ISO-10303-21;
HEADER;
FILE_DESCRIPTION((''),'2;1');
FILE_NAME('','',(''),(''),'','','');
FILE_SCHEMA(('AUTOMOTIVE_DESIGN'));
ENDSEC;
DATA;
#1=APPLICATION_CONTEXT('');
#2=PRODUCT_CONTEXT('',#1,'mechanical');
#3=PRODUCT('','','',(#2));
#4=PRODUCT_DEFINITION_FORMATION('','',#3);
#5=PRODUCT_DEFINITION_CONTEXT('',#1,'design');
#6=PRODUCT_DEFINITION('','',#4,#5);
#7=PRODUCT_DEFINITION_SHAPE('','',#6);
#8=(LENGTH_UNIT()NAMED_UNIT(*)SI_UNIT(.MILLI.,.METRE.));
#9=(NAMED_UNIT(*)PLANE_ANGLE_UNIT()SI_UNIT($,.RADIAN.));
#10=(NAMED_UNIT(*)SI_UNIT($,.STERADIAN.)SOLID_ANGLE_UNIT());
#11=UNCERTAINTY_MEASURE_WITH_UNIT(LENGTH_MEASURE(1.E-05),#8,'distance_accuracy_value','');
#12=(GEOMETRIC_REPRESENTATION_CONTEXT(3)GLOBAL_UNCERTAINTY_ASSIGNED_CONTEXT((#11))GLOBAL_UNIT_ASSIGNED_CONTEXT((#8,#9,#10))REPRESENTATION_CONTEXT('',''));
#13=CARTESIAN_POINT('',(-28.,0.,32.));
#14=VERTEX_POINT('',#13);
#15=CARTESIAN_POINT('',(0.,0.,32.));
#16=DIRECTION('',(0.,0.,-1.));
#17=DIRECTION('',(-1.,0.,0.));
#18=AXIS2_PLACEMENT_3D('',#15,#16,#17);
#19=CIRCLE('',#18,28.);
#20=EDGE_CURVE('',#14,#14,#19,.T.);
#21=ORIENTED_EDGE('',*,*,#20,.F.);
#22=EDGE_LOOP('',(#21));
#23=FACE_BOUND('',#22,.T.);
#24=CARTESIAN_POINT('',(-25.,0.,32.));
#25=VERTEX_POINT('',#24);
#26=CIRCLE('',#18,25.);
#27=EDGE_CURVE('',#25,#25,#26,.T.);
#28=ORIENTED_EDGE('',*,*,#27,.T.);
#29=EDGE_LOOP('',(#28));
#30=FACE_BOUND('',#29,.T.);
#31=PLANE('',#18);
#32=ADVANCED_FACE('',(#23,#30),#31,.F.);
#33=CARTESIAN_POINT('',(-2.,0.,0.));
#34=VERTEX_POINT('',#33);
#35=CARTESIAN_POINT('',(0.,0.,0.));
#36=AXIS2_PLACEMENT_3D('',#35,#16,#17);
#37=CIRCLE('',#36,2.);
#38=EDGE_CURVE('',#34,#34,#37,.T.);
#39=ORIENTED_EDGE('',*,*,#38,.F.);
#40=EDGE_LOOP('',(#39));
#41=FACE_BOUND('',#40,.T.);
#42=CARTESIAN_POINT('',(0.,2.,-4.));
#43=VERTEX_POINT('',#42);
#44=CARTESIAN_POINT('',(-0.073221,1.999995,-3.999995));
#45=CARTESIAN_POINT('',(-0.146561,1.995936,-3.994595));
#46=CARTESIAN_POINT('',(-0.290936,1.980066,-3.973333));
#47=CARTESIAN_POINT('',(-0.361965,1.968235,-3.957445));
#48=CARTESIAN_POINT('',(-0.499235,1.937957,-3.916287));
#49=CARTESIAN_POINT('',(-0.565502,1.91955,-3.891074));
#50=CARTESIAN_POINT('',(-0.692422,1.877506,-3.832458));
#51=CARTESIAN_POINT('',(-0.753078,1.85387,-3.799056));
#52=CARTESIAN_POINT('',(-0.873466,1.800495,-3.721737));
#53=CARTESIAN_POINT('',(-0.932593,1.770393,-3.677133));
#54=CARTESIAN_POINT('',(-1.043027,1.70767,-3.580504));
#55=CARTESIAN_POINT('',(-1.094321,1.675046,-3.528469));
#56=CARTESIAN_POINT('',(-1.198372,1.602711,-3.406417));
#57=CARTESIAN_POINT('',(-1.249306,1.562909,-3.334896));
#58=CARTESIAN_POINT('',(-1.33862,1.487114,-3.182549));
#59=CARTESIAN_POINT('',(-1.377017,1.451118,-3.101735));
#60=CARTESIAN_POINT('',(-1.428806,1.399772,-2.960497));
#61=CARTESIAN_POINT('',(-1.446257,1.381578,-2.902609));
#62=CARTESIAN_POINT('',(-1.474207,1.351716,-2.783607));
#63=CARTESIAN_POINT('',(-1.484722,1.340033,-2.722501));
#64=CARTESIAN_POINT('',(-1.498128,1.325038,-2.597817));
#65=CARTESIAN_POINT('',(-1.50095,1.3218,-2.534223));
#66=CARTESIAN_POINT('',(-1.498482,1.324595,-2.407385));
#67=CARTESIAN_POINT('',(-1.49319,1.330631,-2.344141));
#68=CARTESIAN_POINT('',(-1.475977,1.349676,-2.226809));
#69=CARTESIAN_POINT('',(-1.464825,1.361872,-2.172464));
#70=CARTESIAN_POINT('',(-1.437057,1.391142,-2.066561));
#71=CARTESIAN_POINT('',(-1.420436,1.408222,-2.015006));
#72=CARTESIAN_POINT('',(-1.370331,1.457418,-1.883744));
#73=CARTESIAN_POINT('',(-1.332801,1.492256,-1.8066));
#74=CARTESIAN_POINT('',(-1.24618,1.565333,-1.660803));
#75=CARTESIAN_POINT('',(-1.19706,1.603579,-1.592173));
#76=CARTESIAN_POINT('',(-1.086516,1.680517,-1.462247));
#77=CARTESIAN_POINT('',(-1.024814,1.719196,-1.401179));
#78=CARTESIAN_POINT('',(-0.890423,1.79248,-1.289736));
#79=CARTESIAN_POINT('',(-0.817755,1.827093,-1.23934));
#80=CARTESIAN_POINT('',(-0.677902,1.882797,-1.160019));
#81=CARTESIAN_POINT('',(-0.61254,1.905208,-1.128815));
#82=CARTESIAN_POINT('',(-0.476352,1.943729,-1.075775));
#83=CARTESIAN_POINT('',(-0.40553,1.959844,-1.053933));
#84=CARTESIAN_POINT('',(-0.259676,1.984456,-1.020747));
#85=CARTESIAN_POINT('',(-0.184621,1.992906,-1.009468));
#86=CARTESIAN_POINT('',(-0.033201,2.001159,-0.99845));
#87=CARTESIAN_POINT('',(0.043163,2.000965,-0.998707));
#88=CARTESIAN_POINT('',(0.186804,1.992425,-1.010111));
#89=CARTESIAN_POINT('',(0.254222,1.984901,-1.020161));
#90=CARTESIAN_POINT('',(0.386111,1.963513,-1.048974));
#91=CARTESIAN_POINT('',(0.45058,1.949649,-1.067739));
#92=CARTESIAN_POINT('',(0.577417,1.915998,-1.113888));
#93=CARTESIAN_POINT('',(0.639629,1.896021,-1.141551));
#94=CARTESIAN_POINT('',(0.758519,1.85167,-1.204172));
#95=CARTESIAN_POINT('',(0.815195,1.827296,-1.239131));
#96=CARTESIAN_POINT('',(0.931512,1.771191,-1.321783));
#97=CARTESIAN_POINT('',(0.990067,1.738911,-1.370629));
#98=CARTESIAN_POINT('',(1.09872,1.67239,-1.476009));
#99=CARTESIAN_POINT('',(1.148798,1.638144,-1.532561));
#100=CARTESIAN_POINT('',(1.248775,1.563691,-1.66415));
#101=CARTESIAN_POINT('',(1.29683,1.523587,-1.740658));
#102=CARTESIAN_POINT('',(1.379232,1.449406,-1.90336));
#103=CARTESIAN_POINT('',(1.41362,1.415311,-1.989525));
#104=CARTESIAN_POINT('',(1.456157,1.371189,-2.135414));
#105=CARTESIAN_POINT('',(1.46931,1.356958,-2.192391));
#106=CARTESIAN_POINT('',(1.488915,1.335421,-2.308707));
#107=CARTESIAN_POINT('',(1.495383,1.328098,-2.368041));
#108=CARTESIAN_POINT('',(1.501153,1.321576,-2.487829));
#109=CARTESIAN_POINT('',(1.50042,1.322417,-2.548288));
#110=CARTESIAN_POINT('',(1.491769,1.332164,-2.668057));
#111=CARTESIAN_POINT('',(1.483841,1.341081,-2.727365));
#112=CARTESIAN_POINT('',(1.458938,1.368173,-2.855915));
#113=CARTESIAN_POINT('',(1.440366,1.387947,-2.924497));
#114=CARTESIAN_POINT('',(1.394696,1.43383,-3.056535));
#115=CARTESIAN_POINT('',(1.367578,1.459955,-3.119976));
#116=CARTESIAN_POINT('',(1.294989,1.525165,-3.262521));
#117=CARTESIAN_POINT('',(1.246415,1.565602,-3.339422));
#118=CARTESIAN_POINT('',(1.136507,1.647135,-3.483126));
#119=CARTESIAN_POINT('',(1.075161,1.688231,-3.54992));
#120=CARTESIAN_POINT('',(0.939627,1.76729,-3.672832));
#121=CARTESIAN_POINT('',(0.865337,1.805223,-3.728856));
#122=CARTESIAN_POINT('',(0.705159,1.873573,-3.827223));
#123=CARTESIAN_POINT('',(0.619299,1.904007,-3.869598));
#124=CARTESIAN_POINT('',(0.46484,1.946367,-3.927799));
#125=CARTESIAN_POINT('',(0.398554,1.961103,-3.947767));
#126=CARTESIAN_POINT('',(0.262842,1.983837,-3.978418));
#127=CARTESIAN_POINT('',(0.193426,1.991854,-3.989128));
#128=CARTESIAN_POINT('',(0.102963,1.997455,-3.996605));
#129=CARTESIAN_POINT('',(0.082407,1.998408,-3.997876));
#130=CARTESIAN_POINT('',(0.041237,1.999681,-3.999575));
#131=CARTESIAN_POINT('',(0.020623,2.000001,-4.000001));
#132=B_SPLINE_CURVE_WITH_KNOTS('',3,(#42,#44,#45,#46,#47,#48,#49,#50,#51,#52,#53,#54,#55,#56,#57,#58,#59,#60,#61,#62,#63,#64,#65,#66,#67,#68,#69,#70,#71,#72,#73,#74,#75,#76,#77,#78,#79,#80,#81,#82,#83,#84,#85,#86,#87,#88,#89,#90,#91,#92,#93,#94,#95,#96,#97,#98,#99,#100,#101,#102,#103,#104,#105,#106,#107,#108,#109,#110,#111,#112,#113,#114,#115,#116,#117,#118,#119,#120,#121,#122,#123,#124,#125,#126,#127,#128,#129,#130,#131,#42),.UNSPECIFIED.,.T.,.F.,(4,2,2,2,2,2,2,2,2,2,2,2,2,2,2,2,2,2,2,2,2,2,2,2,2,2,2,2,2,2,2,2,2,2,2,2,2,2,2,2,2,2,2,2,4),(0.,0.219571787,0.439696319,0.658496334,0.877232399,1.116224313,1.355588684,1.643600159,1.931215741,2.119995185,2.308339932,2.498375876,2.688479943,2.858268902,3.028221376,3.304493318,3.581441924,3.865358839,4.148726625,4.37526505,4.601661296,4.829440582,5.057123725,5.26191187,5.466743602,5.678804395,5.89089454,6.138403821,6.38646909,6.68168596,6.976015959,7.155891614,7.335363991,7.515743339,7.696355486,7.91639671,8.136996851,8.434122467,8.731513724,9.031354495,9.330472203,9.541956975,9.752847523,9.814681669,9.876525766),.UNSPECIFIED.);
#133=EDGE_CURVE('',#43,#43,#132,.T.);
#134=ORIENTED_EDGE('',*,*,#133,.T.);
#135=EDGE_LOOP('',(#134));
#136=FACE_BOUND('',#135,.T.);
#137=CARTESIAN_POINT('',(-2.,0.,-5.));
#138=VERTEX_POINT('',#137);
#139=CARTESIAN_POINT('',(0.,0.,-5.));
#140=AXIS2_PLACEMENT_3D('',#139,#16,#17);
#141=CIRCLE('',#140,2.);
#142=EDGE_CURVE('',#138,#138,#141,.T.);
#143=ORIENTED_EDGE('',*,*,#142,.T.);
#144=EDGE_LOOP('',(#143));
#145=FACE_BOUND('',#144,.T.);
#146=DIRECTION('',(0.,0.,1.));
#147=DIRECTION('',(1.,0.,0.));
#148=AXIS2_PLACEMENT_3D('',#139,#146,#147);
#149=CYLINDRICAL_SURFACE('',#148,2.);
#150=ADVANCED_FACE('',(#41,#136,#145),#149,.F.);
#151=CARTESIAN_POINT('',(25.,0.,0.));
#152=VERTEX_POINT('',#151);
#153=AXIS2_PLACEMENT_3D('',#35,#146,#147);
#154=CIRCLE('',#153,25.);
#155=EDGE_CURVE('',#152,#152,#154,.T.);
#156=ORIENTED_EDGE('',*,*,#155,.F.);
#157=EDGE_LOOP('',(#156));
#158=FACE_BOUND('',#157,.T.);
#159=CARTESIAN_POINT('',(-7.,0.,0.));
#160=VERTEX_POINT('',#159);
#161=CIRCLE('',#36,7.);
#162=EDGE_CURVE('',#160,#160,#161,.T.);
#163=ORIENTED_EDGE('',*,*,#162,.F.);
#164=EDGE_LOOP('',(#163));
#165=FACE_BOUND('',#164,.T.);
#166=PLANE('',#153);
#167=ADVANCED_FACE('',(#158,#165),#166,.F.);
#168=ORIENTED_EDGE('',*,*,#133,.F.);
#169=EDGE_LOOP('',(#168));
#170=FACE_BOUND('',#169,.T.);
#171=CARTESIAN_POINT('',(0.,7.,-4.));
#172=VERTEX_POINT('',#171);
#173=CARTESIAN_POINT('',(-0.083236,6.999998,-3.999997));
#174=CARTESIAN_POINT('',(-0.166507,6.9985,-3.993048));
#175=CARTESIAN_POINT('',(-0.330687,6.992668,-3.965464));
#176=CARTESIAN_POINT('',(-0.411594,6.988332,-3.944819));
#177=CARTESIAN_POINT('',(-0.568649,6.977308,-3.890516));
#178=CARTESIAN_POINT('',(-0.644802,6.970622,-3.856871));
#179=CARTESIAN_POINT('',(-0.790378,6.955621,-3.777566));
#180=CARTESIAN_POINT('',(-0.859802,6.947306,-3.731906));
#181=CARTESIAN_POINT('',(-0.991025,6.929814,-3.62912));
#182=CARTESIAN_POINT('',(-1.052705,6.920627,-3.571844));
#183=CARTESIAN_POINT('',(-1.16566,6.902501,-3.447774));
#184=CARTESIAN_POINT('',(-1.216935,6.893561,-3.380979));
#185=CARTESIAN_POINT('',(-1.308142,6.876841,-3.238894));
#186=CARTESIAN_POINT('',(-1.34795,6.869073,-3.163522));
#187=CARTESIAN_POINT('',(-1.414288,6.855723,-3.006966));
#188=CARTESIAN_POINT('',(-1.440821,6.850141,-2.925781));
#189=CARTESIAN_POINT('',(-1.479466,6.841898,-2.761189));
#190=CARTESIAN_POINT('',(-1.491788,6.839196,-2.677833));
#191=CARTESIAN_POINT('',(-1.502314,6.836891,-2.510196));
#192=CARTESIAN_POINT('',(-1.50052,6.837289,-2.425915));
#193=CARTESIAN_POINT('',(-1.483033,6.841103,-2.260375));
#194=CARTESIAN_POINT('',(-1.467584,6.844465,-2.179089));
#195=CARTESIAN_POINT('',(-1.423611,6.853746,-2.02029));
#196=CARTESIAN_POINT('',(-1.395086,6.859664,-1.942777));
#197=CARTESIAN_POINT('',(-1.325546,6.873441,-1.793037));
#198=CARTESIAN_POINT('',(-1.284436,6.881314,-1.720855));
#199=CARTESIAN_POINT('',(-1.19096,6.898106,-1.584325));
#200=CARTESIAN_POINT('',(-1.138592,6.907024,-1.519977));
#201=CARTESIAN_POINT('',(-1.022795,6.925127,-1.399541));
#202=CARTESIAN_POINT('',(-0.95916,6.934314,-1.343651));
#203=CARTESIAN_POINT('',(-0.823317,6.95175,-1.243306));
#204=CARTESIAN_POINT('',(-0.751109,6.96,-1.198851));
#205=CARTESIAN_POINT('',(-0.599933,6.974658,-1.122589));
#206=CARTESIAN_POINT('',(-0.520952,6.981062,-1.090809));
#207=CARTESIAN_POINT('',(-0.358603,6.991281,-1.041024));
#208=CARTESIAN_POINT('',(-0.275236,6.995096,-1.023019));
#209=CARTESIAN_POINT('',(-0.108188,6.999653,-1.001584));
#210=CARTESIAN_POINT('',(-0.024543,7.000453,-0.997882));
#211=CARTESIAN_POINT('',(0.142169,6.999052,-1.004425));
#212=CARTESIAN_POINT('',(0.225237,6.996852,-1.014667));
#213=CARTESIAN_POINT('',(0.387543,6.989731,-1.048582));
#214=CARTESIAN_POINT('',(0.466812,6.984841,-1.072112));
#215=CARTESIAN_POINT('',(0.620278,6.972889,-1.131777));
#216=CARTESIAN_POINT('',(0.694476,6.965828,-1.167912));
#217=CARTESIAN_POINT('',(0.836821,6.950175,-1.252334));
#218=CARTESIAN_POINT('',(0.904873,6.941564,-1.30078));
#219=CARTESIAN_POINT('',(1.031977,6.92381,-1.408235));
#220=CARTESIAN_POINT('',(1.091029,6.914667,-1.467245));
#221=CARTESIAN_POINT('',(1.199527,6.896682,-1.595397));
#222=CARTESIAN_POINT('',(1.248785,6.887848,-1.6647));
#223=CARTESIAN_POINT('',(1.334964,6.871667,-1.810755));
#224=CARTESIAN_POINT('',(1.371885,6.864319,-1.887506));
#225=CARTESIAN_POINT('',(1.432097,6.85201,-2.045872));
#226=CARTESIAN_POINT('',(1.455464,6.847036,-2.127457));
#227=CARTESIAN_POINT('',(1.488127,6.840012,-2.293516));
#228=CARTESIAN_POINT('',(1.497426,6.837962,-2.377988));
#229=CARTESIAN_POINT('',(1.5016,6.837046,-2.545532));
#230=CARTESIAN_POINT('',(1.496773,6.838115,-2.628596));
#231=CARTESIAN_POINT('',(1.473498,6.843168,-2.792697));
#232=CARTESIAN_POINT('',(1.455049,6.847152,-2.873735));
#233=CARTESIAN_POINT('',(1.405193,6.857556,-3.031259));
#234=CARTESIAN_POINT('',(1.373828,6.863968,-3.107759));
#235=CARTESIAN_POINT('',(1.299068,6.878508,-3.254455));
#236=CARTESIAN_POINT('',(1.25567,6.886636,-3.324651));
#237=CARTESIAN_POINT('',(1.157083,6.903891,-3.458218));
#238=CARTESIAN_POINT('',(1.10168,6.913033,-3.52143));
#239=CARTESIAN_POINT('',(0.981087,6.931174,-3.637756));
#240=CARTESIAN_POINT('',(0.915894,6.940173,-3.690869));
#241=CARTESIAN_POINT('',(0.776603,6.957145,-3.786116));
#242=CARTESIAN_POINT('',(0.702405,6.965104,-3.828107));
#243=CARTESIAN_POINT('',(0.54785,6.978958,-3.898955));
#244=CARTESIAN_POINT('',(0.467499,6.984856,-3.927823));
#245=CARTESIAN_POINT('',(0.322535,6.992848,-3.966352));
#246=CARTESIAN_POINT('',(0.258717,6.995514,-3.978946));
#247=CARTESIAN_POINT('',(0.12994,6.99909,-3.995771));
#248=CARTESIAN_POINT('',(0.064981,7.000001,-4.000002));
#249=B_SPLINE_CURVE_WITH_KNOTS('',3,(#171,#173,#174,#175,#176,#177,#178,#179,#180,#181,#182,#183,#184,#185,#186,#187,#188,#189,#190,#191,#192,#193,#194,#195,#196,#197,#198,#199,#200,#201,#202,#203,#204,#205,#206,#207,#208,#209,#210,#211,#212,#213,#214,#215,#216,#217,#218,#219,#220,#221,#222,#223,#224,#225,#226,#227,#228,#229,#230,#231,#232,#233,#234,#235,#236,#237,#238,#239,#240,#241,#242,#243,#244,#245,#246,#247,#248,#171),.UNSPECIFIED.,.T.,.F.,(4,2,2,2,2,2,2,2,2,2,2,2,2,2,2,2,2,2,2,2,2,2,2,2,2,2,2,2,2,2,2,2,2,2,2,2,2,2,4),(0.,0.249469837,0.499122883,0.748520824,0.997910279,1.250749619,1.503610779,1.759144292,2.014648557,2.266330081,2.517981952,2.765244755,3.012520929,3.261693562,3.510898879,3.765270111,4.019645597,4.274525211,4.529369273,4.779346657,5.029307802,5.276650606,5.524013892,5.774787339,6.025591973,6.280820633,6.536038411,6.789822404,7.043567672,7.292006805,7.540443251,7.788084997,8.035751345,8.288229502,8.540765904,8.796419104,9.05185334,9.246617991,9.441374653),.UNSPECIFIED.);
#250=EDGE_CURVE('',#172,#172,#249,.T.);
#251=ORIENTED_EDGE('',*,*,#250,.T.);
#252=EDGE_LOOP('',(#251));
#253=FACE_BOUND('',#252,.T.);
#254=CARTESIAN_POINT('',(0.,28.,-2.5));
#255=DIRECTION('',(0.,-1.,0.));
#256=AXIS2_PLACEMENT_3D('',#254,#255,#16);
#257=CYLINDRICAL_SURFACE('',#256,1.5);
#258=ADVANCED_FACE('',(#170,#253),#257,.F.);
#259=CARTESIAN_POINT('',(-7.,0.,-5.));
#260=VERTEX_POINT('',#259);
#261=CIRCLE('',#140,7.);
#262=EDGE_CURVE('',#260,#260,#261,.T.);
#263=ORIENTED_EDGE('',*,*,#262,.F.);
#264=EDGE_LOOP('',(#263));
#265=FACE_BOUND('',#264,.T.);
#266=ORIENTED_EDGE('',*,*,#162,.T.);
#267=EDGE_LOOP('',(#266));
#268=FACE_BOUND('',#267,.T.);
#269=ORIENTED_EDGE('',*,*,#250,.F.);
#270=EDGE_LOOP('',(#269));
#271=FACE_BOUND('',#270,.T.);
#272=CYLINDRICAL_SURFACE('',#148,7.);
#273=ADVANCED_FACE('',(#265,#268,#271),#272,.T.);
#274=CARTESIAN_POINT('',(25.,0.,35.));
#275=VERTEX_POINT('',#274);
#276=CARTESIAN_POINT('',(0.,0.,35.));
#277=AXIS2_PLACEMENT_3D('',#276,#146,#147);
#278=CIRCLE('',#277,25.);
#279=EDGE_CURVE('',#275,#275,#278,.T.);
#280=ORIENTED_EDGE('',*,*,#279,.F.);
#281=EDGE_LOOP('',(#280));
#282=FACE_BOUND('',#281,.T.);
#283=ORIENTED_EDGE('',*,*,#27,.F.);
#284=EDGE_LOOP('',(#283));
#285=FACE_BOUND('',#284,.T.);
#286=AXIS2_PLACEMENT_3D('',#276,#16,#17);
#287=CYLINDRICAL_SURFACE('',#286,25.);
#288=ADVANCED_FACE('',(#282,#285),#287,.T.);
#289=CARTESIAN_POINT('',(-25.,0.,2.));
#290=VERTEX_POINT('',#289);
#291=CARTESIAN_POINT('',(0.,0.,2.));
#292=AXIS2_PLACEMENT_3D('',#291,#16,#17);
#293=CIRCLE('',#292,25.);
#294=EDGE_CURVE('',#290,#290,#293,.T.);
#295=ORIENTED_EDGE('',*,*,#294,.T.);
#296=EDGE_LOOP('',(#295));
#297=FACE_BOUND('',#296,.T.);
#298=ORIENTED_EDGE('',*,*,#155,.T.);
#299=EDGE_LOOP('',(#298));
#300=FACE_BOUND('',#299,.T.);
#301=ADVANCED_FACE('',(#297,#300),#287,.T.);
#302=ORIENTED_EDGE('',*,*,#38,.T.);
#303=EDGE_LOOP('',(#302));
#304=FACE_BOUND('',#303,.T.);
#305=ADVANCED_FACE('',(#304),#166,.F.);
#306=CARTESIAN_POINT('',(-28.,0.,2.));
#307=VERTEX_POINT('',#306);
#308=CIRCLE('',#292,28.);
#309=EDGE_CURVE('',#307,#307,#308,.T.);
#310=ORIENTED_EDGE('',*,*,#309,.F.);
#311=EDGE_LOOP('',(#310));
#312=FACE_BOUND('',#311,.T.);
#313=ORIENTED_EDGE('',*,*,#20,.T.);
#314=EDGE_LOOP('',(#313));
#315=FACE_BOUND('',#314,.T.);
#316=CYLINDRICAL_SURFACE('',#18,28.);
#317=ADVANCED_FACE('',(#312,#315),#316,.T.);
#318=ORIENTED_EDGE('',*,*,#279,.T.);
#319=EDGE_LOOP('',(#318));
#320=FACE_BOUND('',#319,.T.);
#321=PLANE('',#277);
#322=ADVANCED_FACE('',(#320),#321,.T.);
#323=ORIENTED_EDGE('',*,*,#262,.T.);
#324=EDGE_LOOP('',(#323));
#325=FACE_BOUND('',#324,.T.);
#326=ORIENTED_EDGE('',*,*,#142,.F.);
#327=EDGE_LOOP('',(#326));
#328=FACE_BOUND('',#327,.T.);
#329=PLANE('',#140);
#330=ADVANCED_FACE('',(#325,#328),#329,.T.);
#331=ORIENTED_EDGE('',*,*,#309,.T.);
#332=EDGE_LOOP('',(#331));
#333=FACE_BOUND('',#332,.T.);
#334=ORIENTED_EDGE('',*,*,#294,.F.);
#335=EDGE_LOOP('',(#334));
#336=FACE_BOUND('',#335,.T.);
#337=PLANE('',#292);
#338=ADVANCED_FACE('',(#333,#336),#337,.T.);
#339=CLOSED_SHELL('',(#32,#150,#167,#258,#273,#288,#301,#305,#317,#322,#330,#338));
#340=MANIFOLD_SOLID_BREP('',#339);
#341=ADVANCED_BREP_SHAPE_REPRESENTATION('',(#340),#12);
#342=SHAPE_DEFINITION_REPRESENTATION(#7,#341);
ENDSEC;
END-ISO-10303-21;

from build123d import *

# Parameters (mm, degrees)
ESQUISSE1_R             = 25
BOSS_EXTRU_1_DEPTH      = 35
BOSS_EXTRU_2_START      = -2
ESQUISSE3_R             = 28
ESQUISSE3_R_2           = 25
BOSS_EXTRU_2_DEPTH      = 30
ESQUISSE4_R             = 7
ESQUISSE4_R_2           = 2
BOSS_EXTRU_3_DEPTH      = 5
ESQUISSE5_R             = 1.5
ENL_V_MAT_EXTRU_1_DEPTH = 53.848841047


with BuildPart() as part:
    # Esquisse1 → Boss.-Extru.1 (new body)
    with BuildSketch(Plane.XY):
        Circle(ESQUISSE1_R)
    extrude(amount=BOSS_EXTRU_1_DEPTH)

    # Esquisse3 → Boss.-Extru.2 (add)
    with BuildSketch(Plane(origin=(0, 0, 0), x_dir=(-1, 0, 0), z_dir=(0, 0, -1)).offset(BOSS_EXTRU_2_START)):
        Circle(ESQUISSE3_R)
        Circle(ESQUISSE3_R_2, mode=Mode.SUBTRACT)
    extrude(amount=-BOSS_EXTRU_2_DEPTH)

    # Esquisse4 → Boss.-Extru.3 (add)
    with BuildSketch(Plane(origin=(0, 0, 0), x_dir=(-1, 0, 0), z_dir=(0, 0, -1))):
        Circle(ESQUISSE4_R)
        Circle(ESQUISSE4_R_2, mode=Mode.SUBTRACT)
    extrude(amount=BOSS_EXTRU_3_DEPTH)

    # Esquisse5 → Enlèv. mat.-Extru.1 (cut, through all)
    with BuildSketch(Plane(origin=(0, 0, 0), x_dir=(1, 0, 0), z_dir=(0, 1, 0))):
        with Locations(Location((0, 2.5, 0), (0, 0, 90))):
            Circle(ESQUISSE5_R)
    extrude(amount=ENL_V_MAT_EXTRU_1_DEPTH, mode=Mode.SUBTRACT)


solid = part.part
